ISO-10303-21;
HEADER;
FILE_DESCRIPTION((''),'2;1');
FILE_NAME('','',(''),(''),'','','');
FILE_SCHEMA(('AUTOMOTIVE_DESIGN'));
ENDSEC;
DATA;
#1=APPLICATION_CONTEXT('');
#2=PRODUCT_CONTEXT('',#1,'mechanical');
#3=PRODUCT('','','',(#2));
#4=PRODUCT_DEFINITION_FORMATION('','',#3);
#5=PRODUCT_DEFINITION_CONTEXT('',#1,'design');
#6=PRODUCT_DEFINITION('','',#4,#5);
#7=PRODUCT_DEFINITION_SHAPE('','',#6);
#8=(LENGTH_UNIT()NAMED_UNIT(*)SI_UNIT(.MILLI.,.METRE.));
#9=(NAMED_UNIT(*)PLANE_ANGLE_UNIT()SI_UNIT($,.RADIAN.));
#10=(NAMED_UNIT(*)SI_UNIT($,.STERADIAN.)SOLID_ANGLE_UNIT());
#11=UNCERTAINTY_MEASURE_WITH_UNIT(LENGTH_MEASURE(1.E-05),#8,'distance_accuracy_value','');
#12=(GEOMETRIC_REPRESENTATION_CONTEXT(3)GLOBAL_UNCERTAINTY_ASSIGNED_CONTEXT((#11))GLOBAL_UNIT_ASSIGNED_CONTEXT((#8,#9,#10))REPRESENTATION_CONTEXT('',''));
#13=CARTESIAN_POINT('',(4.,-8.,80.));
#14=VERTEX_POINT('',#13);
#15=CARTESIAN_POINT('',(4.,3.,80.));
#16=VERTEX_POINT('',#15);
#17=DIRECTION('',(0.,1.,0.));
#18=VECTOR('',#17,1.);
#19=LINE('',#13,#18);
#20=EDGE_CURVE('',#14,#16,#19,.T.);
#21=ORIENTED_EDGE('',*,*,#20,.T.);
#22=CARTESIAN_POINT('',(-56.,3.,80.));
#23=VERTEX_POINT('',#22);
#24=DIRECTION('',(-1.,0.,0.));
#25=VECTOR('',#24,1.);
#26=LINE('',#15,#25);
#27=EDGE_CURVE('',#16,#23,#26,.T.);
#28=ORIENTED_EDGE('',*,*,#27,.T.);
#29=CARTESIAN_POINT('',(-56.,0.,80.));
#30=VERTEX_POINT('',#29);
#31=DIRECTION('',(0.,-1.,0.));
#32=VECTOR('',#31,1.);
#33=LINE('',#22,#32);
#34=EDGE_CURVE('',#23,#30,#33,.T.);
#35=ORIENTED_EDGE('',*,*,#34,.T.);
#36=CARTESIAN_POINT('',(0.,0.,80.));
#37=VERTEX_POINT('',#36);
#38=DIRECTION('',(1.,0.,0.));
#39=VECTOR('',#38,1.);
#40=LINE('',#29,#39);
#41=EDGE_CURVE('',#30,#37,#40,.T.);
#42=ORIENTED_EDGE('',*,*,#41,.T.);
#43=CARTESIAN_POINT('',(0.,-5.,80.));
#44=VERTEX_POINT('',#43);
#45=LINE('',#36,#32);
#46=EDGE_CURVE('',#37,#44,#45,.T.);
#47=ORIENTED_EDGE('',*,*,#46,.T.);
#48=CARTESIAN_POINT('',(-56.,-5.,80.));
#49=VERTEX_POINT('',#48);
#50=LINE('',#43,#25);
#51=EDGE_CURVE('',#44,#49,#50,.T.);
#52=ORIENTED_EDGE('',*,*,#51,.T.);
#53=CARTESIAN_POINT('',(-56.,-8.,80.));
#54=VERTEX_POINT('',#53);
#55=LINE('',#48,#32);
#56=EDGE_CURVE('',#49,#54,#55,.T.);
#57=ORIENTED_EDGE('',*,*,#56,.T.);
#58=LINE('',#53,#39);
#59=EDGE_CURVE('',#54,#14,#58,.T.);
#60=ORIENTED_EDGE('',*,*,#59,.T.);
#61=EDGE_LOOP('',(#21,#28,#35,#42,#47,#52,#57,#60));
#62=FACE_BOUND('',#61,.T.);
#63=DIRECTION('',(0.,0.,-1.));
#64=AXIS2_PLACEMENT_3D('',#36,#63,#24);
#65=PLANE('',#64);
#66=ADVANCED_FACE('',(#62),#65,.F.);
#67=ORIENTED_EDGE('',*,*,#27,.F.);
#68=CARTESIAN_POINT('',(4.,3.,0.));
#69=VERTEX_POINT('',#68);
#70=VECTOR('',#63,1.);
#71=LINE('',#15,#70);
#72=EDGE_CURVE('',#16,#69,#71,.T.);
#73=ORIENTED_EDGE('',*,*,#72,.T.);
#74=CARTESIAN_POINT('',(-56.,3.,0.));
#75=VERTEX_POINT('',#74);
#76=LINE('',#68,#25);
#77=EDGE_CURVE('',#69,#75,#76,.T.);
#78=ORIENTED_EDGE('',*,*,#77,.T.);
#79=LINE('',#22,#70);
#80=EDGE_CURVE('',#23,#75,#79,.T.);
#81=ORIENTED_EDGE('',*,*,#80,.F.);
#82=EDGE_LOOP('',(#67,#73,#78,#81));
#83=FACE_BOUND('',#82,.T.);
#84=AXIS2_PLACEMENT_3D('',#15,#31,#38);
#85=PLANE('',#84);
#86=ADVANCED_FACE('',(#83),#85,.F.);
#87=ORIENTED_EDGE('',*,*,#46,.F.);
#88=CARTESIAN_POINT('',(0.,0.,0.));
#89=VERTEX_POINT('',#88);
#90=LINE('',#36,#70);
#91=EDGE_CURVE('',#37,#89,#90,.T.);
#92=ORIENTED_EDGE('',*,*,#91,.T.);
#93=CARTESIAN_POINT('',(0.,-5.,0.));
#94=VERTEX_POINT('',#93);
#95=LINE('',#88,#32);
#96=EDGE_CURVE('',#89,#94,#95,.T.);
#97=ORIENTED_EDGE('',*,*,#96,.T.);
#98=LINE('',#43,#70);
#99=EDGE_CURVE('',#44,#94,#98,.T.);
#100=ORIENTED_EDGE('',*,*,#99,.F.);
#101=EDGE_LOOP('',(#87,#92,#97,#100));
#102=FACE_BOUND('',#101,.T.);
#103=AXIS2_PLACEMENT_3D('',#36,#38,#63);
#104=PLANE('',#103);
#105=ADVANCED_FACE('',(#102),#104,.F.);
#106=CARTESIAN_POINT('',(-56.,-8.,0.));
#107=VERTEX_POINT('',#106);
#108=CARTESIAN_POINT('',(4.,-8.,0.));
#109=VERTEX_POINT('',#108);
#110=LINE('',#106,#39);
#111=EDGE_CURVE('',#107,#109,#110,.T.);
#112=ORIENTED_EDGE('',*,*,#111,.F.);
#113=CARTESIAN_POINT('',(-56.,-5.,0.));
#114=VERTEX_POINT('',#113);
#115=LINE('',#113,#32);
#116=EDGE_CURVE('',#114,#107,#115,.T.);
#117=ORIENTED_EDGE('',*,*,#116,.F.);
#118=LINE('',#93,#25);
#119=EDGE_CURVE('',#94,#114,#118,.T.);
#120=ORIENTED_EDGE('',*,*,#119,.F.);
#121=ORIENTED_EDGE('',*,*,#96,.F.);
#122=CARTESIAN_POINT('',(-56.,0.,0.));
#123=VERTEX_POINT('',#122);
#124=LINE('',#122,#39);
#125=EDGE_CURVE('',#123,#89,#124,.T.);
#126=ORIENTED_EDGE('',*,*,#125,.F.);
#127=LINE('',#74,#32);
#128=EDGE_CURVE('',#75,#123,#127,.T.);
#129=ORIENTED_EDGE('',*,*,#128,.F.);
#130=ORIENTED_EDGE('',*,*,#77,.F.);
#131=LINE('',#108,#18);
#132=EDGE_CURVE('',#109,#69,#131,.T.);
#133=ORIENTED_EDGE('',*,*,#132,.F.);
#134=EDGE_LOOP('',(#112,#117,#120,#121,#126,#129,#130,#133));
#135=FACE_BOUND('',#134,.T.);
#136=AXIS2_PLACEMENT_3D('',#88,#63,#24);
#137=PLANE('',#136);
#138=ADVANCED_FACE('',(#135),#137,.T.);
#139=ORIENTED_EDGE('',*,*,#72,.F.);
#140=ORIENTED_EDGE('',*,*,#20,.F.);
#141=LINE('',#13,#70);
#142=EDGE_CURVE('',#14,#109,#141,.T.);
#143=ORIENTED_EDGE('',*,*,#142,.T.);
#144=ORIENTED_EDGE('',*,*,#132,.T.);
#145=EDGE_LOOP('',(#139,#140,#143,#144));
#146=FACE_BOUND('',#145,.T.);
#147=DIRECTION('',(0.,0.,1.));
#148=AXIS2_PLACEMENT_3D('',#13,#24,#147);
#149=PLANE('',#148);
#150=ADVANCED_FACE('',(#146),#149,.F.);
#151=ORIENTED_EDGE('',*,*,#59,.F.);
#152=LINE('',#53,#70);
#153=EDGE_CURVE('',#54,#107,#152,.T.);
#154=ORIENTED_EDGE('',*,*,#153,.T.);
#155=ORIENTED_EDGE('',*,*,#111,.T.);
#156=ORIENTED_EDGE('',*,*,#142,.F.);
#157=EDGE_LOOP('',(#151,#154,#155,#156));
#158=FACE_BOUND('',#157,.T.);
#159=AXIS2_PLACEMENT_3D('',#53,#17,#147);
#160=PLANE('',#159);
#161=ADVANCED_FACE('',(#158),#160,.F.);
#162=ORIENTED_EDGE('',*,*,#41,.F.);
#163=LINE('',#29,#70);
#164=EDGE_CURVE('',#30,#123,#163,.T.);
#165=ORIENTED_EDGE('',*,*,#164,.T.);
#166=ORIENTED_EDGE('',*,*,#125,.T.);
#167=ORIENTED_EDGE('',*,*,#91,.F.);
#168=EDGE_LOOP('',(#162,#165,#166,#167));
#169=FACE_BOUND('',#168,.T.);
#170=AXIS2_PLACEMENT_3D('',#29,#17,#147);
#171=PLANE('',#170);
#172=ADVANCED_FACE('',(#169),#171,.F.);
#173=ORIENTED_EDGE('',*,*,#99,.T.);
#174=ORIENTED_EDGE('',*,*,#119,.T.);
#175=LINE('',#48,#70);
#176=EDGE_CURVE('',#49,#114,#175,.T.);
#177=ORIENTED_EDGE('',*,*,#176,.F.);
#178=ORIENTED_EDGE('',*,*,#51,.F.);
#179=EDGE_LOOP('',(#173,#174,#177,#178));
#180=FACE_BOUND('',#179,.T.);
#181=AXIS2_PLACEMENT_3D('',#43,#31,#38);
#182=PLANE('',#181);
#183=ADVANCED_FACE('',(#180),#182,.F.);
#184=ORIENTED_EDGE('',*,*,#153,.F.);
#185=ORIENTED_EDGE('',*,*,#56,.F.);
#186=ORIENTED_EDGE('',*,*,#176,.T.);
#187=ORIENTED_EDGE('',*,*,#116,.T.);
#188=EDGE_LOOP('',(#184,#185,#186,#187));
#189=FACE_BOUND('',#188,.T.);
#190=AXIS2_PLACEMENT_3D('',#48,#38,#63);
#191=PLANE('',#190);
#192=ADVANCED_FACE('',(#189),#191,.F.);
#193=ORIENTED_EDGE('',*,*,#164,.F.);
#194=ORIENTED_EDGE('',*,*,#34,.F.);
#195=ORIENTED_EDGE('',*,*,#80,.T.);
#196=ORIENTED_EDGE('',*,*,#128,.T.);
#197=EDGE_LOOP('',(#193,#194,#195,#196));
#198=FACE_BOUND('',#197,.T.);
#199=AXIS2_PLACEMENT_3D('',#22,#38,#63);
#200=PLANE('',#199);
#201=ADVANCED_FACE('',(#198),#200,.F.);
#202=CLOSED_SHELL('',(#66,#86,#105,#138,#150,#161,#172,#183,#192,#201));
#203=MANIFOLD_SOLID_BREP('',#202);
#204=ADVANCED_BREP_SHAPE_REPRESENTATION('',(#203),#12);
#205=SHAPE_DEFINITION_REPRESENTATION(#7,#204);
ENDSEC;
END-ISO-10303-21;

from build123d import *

# Parameters (mm, degrees)
P_IDAT_VYSUNUT_M1_DEPTH = 80


with BuildPart() as part:
    # Skica1 → Přidat vysunutím1 (new body)
    with BuildSketch(Plane.XY):
        Polygon((0, 0), (0, -5), (-56, -5), (-56, -8), (4, -8), (4, 3), (-56, 3), (-56, 0), align=None)
    extrude(amount=P_IDAT_VYSUNUT_M1_DEPTH)


solid = part.part
